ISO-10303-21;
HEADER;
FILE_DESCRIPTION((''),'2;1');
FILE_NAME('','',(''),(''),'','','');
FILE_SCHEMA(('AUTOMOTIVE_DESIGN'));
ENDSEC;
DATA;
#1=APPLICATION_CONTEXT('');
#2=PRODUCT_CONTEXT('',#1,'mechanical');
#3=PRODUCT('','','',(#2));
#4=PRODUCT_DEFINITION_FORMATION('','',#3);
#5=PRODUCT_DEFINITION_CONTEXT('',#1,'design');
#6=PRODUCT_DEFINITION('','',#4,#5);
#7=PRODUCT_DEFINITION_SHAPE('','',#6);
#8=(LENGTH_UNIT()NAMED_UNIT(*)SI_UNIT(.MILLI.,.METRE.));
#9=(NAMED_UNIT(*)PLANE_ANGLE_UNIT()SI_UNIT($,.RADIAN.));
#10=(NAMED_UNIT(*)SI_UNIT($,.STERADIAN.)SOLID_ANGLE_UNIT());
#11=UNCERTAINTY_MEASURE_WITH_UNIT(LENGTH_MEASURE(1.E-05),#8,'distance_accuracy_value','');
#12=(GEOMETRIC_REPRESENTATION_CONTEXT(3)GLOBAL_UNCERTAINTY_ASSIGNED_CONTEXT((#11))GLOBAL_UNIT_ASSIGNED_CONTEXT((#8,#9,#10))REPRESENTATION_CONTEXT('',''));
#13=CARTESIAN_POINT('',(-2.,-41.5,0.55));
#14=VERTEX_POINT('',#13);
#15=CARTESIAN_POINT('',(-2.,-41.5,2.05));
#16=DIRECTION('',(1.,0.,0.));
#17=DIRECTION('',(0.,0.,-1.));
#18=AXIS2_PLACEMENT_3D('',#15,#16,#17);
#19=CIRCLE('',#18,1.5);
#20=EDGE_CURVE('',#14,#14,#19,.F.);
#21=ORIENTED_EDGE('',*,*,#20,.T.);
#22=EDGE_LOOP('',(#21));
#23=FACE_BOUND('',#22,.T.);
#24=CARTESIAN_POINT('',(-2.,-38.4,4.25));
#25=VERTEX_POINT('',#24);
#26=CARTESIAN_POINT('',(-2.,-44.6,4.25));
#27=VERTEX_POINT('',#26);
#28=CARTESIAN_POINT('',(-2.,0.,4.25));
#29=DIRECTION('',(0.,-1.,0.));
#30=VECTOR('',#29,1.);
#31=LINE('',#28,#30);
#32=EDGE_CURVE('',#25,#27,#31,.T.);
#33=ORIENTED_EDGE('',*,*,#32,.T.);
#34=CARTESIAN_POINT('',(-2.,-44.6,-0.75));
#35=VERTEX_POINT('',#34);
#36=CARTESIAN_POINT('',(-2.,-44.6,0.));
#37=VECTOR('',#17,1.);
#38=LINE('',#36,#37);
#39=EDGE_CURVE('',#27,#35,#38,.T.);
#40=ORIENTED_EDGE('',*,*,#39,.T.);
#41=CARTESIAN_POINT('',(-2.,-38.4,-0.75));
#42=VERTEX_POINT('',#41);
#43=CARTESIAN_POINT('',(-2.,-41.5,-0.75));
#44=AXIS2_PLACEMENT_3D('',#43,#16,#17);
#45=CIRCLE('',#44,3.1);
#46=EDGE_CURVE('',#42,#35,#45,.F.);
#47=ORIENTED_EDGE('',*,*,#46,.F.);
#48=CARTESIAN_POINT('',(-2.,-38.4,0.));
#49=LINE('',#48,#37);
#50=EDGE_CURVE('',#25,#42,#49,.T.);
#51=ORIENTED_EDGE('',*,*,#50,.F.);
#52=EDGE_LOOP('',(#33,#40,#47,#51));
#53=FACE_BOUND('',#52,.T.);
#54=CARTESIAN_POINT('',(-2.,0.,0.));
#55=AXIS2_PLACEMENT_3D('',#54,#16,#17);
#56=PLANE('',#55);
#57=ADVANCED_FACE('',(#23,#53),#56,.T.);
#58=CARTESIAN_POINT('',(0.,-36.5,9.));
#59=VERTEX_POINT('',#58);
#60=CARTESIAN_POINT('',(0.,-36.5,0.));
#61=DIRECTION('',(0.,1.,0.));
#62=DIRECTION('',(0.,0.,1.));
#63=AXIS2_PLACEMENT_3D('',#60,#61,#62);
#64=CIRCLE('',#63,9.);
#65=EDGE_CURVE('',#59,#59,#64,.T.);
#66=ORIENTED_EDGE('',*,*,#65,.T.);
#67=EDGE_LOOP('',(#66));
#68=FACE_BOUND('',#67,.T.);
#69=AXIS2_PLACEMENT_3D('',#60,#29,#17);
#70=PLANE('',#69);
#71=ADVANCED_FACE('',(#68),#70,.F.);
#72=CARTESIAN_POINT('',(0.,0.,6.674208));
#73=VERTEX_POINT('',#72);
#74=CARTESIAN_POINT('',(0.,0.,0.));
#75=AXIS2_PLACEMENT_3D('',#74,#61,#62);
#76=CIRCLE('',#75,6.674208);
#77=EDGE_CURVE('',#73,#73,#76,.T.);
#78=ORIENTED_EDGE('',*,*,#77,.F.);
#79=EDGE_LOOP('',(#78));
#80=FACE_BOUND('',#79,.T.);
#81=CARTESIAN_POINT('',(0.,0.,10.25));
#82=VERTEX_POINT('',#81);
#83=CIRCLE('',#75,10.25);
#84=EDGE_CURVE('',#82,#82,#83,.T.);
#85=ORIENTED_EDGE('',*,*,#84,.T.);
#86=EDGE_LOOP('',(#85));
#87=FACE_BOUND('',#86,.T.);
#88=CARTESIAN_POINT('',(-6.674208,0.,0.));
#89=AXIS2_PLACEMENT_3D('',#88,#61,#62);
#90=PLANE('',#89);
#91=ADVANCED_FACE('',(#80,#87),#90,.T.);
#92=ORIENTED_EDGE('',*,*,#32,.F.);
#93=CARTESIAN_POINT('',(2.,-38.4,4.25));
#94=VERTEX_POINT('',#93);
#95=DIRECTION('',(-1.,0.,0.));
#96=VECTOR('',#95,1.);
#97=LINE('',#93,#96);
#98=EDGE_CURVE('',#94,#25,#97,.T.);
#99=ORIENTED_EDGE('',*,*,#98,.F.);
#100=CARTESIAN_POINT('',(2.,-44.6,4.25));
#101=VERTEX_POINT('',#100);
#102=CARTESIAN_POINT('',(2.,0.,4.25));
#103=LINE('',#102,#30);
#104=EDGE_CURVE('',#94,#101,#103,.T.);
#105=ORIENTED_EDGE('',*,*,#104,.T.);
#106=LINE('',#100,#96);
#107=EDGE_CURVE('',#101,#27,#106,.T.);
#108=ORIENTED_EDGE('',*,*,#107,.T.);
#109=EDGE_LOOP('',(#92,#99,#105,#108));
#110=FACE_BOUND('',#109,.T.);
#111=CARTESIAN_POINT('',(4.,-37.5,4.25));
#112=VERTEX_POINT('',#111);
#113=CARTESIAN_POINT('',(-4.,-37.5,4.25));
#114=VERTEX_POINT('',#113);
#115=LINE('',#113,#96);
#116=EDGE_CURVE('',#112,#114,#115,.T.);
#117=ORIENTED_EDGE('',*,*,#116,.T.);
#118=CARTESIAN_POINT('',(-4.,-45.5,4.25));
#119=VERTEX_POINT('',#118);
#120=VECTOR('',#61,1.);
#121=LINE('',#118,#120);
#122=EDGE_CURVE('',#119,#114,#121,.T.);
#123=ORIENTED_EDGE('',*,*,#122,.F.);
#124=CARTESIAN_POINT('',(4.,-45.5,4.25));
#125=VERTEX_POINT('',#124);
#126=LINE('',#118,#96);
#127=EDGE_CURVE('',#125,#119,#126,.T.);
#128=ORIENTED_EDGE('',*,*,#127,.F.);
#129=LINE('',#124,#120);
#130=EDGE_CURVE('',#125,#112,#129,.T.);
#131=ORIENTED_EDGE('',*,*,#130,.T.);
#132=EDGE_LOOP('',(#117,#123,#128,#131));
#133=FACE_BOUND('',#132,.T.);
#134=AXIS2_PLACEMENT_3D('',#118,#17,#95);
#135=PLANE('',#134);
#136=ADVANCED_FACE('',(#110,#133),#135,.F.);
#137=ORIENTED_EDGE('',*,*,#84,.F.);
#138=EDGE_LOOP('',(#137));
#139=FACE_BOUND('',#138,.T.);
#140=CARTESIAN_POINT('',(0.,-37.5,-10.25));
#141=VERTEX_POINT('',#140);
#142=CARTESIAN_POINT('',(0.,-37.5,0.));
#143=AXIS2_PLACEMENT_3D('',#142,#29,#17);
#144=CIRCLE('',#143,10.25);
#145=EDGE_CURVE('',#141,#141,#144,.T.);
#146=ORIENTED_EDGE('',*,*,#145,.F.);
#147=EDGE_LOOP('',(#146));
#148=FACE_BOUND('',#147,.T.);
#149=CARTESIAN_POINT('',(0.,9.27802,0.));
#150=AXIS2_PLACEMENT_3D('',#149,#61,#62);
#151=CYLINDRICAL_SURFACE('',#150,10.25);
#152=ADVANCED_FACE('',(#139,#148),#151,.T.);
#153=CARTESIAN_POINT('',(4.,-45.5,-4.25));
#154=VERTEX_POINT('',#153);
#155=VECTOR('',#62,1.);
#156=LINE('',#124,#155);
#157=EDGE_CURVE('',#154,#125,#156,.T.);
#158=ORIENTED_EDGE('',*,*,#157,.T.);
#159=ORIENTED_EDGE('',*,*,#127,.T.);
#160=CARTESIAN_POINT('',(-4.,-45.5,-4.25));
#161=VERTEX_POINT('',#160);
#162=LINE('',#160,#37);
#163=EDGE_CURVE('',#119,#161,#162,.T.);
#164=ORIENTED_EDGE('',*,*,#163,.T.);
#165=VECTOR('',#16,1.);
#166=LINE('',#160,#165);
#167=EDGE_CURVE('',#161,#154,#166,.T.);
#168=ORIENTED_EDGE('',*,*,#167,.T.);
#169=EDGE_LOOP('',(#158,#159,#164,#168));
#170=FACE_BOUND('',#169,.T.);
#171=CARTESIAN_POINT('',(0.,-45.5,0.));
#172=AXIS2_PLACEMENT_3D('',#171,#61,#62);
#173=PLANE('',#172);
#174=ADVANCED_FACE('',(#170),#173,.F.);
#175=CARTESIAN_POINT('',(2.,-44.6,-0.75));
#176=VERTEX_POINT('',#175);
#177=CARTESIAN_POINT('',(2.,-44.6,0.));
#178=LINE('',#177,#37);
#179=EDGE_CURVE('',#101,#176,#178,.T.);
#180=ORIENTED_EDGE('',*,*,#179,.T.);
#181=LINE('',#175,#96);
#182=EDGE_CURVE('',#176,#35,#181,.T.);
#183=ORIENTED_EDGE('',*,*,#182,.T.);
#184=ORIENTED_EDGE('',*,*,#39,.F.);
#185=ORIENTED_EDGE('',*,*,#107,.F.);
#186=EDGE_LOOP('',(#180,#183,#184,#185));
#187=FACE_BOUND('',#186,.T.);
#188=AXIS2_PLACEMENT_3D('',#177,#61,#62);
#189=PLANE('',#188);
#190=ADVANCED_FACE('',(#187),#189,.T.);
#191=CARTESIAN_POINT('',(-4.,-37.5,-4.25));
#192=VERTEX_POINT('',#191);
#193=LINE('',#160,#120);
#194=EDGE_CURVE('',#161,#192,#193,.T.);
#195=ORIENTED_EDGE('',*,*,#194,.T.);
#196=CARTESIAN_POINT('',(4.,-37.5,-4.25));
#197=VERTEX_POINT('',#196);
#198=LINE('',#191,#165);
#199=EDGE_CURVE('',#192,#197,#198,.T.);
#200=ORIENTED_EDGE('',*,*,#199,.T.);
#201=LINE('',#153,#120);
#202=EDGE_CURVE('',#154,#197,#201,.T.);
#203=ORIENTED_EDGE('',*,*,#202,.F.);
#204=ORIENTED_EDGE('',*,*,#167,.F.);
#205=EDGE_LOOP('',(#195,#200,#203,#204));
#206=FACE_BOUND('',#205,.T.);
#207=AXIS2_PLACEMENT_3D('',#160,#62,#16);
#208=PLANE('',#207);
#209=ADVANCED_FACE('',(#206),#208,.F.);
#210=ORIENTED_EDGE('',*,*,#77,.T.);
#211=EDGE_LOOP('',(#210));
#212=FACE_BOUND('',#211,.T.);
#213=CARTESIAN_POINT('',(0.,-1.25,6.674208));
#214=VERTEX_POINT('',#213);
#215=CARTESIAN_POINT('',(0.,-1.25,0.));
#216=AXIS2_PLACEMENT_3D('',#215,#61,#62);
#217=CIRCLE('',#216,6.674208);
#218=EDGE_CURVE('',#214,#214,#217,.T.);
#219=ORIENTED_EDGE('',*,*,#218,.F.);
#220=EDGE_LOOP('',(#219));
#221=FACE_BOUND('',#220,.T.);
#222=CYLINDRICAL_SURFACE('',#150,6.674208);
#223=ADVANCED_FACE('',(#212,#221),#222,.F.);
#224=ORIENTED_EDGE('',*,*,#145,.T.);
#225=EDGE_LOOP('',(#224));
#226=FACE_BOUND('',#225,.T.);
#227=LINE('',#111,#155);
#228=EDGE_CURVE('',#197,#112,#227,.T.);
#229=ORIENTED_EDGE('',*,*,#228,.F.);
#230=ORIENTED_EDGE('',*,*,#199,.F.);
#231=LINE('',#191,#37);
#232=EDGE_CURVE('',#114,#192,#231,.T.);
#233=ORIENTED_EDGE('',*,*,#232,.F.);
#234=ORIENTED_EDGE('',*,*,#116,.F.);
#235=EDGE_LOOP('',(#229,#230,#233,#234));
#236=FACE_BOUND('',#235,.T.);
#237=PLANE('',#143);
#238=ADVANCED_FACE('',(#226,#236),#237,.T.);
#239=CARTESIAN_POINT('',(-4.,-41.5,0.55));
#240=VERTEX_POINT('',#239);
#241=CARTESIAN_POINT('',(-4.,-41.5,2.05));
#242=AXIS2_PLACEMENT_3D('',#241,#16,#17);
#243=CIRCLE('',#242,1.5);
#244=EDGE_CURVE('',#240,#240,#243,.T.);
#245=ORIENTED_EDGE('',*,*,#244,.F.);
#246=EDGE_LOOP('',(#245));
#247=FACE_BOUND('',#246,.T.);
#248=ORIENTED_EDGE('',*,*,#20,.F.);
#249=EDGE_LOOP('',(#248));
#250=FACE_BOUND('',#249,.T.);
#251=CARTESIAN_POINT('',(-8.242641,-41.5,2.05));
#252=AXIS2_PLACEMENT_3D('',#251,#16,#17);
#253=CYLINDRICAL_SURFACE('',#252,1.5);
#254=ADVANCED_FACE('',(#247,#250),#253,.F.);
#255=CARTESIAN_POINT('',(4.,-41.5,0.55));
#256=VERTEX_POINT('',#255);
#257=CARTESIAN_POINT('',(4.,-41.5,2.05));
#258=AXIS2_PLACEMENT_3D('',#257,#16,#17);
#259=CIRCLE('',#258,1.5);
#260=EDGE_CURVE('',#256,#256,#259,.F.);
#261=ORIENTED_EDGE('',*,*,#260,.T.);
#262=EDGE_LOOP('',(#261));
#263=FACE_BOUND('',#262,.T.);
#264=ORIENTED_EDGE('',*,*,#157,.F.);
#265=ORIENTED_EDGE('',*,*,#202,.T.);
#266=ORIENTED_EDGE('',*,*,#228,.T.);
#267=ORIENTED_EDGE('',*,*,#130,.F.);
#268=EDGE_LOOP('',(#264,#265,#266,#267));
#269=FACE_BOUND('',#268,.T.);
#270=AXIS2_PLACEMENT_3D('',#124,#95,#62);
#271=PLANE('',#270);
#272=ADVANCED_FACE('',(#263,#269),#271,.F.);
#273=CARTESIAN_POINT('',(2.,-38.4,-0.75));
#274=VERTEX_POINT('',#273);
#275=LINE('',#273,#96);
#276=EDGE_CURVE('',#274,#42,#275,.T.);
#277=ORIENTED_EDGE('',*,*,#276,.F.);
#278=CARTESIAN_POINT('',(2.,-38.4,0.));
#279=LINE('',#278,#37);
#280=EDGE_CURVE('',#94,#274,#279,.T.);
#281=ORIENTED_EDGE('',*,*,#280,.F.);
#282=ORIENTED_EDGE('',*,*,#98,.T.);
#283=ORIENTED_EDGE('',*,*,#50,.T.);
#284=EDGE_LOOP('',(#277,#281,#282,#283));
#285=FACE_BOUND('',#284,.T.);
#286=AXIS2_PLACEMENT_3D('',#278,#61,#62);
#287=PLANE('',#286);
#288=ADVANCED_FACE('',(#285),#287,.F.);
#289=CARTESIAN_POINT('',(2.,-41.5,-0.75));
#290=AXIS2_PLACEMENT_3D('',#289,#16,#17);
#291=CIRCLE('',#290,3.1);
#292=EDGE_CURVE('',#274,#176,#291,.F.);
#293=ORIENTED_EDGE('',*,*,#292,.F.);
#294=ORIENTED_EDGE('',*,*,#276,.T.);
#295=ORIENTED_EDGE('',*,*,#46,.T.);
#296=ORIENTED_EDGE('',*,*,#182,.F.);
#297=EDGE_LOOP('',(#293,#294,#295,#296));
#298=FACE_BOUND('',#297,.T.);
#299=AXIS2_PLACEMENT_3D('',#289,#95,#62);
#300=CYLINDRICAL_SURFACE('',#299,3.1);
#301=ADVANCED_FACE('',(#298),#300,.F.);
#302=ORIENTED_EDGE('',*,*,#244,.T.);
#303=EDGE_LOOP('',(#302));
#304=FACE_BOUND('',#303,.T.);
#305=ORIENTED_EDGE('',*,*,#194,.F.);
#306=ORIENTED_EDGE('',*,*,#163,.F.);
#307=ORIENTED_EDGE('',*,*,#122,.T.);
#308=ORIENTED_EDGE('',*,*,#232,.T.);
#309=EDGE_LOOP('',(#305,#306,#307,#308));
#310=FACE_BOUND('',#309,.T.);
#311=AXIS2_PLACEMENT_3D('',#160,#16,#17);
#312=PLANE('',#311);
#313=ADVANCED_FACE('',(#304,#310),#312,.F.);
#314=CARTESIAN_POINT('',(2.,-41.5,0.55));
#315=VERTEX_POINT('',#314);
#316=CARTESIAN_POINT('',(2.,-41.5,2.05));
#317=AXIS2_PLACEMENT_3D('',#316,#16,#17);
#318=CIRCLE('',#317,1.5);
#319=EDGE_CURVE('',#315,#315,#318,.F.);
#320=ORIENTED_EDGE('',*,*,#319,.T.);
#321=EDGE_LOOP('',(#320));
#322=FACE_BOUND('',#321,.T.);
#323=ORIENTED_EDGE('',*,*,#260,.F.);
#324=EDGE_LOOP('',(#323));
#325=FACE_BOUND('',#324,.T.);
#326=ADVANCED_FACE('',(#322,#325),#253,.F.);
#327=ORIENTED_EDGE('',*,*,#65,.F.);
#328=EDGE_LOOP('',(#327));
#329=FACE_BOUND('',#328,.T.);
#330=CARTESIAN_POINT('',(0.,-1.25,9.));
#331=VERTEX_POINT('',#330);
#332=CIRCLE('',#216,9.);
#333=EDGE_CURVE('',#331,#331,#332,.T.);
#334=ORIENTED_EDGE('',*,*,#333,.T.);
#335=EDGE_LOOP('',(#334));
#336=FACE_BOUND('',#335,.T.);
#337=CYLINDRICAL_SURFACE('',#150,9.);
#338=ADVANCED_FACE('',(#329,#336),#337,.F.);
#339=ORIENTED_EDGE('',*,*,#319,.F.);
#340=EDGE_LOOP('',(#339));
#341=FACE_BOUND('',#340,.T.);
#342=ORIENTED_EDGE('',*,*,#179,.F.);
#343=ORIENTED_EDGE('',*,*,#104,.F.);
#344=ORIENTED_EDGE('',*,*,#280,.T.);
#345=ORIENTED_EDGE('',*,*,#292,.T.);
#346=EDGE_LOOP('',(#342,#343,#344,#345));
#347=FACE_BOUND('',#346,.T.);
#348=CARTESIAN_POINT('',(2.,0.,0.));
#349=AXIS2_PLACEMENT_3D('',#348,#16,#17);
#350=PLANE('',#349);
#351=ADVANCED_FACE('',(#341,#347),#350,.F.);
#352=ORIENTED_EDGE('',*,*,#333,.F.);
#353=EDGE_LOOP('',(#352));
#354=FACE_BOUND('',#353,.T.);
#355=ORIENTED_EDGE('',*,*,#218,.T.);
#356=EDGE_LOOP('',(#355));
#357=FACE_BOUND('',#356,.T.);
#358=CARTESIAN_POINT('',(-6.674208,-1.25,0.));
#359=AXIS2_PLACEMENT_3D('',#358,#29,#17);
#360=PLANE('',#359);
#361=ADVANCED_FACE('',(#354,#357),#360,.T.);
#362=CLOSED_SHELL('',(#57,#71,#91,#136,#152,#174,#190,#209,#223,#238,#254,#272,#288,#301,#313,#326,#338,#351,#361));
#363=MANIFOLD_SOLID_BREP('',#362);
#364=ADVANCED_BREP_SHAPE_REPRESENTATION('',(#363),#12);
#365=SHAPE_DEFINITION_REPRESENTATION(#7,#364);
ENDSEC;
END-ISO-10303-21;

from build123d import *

# Parameters (mm, degrees)
SKETCH2_R           = 10.25
BOSS_EXTRUDE1_DEPTH = 1
SKETCH3_W           = 8
SKETCH3_H           = 8.5
BOSS_EXTRUDE2_DEPTH = 8
CUT_EXTRUDE1_START  = 4
SKETCH4_R           = 1.5
CUT_EXTRUDE1_DEPTH  = 2
SKETCH4_3_R         = 1.5
CUT_EXTRUDE3_DEPTH  = 8


with BuildPart() as part:
    # Sketch1 → Revolve1 (revolve)
    with BuildSketch(Plane.XY):
        Polygon((-6.674207745, -1.25), (-6.674207745, 0), (-10.25, 0), (-10.25, -36.5), (-9, -36.5), (-9, -1.25), align=None)
    revolve(axis=Axis((0, 9.278019649, 0), (0, -1, 0)))

    # Sketch2 → Boss-Extrude1 (add)
    with BuildSketch(Plane.XZ.offset(36.5)):
        Circle(SKETCH2_R)
    extrude(amount=BOSS_EXTRUDE1_DEPTH)

    # Sketch3 → Boss-Extrude2 (add)
    with BuildSketch(Plane.XZ.offset(37.5)):
        Rectangle(SKETCH3_W, SKETCH3_H)
    extrude(amount=BOSS_EXTRUDE2_DEPTH)

    # Sketch4 → Cut-Extrude1 (cut, symmetric)
    with BuildSketch(Plane(origin=(4, 0, -0.2768318), x_dir=(0, 0, 1), z_dir=(-1, 0, 0)).offset(CUT_EXTRUDE1_START)):
        with BuildLine():
            Line((4.5268318, -44.6), (4.5268318, -38.4))
            Line((4.5268318, -38.4), (-0.4731682, -38.4))
            ThreePointArc((-0.4731682, -38.4), (-3.5731682, -41.5), (-0.4731682, -44.6))
            Line((-0.4731682, -44.6), (4.5268318, -44.6))
        make_face()
        with Locations((2.3268318, -41.5)):
            Circle(SKETCH4_R, mode=Mode.SUBTRACT)
    extrude(amount=CUT_EXTRUDE1_DEPTH, both=True, mode=Mode.SUBTRACT)

    # Sketch4<3> → Cut-Extrude3 (cut)
    with BuildSketch(Plane(origin=(4, 0, -0.2768318), x_dir=(0, 0, 1), z_dir=(-1, 0, 0))):
        with Locations((2.3268318, -41.5)):
            Circle(SKETCH4_3_R)
    extrude(amount=CUT_EXTRUDE3_DEPTH, mode=Mode.SUBTRACT)


solid = part.part
